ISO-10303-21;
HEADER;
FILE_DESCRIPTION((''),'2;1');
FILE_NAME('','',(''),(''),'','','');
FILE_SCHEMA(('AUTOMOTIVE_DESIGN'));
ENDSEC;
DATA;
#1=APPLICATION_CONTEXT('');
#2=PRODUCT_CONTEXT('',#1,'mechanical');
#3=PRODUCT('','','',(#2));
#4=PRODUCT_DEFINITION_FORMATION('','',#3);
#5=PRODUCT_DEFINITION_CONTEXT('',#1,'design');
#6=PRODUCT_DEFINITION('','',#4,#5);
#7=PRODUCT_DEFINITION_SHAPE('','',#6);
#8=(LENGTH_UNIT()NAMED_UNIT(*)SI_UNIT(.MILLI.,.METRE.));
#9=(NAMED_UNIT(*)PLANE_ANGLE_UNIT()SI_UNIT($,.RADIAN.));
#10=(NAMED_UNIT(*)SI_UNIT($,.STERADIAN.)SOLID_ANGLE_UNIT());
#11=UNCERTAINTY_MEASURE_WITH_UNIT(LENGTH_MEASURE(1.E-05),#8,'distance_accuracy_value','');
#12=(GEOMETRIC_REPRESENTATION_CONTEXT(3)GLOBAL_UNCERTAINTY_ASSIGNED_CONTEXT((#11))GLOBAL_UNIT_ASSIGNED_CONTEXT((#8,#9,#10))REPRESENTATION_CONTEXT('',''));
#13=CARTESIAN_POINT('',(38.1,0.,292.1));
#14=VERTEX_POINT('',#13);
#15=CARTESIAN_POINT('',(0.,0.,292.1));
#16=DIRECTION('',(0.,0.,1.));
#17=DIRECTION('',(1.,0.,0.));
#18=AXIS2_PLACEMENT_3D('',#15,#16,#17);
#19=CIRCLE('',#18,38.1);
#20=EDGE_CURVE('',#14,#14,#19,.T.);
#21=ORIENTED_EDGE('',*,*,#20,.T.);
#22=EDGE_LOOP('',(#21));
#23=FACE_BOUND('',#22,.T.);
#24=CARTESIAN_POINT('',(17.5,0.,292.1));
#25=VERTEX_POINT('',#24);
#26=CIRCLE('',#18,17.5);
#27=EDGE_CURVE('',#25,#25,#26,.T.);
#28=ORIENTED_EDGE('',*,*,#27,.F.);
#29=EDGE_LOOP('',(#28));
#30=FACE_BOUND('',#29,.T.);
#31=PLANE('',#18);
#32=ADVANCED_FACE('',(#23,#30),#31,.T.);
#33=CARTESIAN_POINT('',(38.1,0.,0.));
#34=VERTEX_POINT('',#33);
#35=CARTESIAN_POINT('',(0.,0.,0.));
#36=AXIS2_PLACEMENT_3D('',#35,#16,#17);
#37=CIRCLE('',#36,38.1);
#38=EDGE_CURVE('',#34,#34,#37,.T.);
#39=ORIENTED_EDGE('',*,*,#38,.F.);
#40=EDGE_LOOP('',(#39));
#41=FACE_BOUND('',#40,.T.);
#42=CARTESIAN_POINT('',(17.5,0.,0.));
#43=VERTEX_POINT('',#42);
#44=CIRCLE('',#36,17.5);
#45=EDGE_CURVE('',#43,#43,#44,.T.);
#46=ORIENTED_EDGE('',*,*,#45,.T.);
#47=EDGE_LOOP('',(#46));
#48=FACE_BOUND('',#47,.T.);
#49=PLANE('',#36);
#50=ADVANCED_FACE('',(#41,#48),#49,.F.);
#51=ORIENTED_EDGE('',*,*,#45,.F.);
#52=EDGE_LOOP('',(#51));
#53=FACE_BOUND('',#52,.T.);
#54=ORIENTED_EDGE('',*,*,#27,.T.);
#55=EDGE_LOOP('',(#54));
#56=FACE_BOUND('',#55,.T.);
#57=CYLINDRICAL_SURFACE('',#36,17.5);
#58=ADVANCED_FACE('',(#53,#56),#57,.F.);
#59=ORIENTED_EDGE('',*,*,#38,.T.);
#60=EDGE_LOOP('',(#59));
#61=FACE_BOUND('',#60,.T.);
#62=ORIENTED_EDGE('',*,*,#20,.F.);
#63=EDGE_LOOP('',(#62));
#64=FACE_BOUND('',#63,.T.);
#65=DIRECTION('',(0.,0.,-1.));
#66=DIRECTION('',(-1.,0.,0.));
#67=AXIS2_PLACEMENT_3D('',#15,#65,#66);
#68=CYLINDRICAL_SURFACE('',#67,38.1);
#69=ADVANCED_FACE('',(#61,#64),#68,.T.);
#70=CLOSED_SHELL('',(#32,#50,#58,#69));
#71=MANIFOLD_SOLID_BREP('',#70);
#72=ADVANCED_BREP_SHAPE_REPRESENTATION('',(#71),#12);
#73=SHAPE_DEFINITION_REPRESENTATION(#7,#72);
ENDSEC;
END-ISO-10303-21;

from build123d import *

# Parameters (mm, degrees)
SKETCH1_R               = 38.1
BOSS_EXTRUDE1_DEPTH     = 292.1
SKETCH3_R               = 17.5
CUT_EXTRUDE1_DEPTH      = 1
CUT_EXTRUDE1_DEPTH_BACK = 293.1


with BuildPart() as part:
    # Sketch1 → Boss-Extrude1 (new body)
    with BuildSketch(Plane.XY):
        Circle(SKETCH1_R)
    extrude(amount=BOSS_EXTRUDE1_DEPTH)

    # Sketch3 → Cut-Extrude1 (cut, two sides)
    with BuildSketch(Plane.XY.offset(292.1)) as cut_extrude1_sk:
        Circle(SKETCH3_R)
    extrude(amount=CUT_EXTRUDE1_DEPTH, mode=Mode.SUBTRACT)
    extrude(cut_extrude1_sk.sketch, amount=-CUT_EXTRUDE1_DEPTH_BACK, mode=Mode.SUBTRACT)


solid = part.part
